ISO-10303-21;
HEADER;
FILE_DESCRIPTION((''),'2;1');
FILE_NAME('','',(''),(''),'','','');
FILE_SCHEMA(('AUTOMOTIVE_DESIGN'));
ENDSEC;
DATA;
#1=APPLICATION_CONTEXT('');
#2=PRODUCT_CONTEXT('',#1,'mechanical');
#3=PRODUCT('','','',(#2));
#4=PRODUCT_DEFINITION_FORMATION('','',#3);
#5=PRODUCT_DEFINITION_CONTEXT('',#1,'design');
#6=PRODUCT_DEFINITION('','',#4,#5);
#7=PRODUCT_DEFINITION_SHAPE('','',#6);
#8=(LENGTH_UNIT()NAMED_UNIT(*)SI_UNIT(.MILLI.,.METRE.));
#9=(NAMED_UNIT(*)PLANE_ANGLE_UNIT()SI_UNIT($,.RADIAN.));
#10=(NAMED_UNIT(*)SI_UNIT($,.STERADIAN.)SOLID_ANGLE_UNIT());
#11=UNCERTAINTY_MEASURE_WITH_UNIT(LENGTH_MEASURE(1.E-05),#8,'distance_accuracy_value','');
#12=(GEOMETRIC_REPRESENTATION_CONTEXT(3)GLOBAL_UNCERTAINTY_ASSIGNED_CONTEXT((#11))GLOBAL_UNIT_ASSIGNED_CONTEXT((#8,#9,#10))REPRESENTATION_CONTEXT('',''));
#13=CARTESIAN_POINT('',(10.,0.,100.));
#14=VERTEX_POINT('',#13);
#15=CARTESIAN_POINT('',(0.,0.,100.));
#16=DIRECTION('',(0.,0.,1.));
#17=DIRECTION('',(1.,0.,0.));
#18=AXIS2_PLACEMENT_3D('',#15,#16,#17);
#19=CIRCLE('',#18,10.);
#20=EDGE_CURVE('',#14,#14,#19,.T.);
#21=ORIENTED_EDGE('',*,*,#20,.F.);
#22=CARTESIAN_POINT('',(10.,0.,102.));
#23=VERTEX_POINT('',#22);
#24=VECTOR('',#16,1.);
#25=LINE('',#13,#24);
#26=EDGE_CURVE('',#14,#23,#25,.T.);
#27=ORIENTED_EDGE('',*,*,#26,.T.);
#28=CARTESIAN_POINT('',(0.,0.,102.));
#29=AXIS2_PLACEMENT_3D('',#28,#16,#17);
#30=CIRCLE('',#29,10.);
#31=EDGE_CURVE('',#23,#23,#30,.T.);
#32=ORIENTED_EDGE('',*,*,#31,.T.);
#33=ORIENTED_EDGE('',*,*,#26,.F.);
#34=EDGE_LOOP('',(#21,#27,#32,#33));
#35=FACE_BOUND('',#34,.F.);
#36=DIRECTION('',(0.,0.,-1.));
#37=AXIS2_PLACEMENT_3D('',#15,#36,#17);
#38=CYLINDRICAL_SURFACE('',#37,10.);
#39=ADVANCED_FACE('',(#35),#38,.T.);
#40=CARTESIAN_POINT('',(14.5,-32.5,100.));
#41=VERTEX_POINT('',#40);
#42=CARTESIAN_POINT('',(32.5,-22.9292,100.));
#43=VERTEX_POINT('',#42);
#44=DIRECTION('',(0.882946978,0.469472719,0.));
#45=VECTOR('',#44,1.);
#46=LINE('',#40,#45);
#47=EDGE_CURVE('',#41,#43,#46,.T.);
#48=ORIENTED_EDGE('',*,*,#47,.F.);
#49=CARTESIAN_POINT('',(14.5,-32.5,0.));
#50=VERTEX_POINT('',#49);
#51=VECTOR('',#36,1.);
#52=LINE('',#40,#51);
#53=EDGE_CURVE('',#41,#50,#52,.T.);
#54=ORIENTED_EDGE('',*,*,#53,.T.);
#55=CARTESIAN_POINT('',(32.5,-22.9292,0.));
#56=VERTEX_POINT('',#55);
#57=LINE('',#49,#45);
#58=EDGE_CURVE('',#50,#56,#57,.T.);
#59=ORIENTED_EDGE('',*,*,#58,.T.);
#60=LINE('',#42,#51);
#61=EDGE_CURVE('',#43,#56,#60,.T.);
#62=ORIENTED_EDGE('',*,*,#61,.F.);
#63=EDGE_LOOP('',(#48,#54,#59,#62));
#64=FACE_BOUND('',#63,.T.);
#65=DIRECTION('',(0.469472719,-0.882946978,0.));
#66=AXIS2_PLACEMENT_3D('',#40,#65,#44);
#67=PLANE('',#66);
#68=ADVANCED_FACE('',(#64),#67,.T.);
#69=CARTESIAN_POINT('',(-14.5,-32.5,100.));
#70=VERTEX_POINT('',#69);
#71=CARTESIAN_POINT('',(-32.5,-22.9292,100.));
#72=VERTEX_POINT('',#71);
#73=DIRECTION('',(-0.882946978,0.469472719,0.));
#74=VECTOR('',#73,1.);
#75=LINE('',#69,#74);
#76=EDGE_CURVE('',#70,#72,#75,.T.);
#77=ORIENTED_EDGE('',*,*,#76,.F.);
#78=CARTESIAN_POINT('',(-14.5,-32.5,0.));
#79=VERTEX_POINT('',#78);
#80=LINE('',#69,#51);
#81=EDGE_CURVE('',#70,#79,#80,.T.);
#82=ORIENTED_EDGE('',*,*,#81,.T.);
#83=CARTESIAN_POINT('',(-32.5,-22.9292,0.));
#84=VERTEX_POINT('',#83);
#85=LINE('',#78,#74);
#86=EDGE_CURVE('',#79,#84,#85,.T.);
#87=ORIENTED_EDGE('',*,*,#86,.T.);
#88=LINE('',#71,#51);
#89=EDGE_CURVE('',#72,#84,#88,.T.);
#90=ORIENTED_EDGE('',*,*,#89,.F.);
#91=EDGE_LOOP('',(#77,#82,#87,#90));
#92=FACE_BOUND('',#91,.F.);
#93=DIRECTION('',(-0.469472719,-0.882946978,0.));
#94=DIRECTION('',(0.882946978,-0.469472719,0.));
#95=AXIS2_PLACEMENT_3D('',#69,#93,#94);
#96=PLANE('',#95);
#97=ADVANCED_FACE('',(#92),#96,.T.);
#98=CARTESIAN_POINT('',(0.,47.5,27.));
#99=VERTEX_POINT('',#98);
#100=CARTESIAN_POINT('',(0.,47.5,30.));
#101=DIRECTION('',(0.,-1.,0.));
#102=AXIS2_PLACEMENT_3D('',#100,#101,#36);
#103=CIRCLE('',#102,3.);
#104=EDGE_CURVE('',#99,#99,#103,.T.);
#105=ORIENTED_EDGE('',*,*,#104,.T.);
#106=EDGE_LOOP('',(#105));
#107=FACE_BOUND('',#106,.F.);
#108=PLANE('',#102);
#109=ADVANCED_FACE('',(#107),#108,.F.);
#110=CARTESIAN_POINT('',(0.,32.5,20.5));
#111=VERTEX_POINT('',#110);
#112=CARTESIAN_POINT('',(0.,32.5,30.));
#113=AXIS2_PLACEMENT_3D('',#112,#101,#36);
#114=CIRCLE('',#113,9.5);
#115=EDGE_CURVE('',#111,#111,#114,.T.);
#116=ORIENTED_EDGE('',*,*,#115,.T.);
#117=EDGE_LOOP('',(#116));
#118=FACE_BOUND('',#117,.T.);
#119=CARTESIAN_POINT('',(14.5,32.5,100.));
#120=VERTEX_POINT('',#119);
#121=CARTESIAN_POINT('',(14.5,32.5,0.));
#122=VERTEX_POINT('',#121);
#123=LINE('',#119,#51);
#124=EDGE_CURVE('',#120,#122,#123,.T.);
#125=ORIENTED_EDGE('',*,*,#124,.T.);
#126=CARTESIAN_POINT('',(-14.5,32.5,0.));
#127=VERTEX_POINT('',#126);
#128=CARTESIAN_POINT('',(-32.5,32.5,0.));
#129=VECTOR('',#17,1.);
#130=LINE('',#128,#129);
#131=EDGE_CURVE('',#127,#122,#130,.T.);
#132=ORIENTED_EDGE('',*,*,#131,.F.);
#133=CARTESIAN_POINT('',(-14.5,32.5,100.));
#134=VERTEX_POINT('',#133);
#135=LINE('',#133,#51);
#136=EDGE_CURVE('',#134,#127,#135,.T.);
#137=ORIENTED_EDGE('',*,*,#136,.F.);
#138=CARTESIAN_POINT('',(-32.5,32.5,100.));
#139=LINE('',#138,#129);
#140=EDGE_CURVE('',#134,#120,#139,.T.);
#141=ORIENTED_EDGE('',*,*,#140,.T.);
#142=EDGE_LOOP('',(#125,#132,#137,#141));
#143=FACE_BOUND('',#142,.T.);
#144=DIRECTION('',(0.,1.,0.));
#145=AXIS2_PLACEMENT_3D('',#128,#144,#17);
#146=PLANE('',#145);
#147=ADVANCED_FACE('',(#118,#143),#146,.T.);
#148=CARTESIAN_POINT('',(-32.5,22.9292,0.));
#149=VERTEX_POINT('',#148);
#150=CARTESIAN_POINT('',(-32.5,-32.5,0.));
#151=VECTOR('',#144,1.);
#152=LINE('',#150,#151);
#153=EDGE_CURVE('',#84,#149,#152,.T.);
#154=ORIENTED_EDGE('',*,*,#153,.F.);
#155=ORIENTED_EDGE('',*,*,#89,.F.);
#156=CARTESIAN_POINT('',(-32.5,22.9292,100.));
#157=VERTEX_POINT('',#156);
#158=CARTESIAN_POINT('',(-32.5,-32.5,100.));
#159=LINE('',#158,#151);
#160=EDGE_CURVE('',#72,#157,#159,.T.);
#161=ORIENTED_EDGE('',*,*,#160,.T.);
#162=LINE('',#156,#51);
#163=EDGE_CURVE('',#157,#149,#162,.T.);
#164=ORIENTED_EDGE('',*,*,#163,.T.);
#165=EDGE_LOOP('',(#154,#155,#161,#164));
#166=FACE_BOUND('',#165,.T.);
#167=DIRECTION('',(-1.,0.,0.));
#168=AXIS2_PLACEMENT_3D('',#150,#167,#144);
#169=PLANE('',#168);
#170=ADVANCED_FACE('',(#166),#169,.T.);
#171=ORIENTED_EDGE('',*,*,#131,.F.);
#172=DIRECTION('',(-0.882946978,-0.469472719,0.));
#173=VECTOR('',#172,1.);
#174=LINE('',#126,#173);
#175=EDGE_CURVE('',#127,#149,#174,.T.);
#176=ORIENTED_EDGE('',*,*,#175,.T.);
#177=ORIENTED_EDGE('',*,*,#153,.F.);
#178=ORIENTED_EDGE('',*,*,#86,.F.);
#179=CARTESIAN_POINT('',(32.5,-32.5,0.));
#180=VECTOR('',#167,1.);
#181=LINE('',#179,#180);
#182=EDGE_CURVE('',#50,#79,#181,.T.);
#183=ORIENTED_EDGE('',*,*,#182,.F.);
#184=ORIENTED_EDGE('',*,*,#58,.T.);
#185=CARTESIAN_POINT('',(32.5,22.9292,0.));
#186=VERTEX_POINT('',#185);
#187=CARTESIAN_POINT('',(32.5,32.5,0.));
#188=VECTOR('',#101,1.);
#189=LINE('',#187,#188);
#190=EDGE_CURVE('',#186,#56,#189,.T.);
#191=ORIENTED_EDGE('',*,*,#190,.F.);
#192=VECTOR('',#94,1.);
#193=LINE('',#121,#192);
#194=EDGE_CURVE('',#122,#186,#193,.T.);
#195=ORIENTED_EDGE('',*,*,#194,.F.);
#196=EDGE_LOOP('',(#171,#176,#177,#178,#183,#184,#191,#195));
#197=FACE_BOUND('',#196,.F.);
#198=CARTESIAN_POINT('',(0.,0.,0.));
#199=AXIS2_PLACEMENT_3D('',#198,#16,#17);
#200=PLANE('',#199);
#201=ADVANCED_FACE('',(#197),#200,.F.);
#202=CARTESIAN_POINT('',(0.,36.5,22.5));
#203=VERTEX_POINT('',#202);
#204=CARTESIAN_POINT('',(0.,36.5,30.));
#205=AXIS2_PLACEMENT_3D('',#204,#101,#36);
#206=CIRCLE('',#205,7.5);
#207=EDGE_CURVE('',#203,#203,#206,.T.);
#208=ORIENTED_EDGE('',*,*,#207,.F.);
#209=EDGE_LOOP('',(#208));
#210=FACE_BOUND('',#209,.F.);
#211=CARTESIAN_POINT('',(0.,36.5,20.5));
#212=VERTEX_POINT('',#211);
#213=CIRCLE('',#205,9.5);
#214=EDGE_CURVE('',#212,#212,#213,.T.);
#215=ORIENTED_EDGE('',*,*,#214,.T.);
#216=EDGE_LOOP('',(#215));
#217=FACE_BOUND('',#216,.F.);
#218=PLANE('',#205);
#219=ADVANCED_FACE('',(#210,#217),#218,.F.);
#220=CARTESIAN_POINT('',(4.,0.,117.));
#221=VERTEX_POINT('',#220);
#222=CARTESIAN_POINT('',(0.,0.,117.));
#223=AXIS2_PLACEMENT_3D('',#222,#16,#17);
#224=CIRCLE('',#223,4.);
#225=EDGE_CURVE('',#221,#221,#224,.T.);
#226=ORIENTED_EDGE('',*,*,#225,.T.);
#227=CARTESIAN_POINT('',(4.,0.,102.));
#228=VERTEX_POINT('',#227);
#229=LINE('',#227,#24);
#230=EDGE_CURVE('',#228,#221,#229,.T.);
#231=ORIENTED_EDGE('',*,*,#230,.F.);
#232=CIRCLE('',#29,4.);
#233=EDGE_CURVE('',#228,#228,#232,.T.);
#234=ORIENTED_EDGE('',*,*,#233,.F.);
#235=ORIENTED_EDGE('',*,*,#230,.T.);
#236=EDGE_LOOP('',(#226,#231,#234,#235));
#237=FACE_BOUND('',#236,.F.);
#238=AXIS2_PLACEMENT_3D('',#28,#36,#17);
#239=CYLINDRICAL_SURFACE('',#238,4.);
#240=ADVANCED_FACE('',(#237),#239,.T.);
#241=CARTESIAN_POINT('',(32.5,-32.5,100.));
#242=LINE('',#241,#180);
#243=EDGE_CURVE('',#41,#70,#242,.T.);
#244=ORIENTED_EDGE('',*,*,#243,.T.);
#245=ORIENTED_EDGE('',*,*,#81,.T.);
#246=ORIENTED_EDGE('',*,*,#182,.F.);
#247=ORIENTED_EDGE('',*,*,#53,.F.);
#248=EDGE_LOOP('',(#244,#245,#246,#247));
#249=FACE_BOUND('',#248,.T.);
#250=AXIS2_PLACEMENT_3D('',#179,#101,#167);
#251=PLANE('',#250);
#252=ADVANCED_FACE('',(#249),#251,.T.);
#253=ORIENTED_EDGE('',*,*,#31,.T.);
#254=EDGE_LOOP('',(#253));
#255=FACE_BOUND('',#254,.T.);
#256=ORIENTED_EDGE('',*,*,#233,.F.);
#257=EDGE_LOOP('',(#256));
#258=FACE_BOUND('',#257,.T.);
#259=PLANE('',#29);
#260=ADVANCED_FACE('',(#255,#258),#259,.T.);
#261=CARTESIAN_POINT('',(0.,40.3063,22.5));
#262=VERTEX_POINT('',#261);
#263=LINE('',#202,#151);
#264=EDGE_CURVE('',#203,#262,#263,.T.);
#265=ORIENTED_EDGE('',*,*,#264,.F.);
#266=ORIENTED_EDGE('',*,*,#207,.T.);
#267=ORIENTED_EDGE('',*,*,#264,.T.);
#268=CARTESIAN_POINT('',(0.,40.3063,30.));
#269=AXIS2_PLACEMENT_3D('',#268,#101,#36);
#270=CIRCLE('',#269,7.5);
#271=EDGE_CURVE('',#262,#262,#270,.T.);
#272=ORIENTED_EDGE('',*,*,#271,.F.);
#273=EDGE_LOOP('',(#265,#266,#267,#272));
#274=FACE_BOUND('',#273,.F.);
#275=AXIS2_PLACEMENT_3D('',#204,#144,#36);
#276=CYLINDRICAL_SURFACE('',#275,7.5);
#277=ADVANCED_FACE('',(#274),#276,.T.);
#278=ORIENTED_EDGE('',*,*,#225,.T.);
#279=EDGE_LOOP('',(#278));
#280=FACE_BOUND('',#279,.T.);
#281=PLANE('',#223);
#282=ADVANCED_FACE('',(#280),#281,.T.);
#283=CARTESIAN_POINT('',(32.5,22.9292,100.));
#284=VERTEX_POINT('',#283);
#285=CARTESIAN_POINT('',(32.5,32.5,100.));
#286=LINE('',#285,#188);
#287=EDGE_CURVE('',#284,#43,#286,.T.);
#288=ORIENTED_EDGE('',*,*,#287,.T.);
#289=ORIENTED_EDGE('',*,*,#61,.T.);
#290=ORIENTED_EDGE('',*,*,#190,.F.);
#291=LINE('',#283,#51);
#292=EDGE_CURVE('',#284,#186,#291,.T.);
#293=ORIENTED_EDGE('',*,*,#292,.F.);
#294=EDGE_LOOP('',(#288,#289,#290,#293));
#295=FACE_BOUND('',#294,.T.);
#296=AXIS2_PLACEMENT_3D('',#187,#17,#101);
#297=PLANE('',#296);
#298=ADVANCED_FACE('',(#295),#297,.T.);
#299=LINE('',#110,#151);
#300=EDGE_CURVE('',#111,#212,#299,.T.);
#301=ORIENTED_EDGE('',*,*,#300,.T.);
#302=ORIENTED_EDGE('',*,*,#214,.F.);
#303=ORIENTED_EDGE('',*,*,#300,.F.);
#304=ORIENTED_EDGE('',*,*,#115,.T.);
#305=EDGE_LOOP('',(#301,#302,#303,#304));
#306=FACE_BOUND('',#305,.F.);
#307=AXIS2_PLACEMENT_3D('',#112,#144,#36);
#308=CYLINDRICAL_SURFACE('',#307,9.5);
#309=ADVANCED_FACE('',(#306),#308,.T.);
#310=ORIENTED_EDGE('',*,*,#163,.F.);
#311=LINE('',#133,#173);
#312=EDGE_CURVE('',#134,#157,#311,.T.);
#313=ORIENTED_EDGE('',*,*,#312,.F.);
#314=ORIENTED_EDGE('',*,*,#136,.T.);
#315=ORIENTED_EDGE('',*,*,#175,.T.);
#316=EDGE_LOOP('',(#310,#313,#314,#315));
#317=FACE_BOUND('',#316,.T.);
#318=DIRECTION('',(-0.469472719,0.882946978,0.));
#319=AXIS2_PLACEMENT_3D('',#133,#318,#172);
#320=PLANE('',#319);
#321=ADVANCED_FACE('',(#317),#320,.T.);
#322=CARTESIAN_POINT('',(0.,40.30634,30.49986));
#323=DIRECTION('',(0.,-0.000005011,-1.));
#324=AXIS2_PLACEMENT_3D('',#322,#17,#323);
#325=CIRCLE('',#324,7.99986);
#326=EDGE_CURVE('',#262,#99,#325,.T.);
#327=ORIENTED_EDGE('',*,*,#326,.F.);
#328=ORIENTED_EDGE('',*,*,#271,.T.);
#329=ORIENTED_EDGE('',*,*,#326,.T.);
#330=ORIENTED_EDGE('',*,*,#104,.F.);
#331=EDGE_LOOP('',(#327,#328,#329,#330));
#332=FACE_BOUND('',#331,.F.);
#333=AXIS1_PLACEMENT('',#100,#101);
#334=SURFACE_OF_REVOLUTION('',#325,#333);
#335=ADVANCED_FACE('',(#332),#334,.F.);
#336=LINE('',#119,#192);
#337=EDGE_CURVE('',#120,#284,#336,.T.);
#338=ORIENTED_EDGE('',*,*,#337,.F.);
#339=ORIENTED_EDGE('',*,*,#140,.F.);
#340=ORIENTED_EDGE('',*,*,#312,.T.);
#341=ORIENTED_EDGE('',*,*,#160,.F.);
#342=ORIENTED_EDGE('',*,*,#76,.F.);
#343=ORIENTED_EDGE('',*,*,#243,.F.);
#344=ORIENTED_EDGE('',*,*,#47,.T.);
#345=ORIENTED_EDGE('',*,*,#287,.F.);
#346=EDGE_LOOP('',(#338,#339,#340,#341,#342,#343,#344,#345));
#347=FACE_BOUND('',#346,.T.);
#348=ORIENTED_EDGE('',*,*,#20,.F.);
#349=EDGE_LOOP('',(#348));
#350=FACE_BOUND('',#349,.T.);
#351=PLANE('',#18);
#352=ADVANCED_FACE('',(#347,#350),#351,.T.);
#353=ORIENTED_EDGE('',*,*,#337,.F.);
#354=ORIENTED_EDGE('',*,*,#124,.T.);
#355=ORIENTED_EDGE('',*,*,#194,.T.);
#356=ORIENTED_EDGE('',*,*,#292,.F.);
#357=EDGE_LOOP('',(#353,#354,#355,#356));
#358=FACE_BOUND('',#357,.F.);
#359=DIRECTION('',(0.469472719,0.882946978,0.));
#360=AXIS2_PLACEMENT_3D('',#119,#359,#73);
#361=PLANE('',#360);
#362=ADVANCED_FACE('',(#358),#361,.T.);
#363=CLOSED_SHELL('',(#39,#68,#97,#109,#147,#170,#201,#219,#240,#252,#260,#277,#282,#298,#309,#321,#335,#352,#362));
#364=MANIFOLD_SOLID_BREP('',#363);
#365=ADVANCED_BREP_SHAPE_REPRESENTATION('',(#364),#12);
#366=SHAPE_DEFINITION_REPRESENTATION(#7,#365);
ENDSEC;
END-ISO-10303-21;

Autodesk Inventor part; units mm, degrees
ref_plane "YZ Plane" through (0, 0, 0) normal (1, 0, 0) x (0, 1, 0)
ref_plane "XZ Plane" through (0, 0, 0) normal (0, 1, 0) x (-1, 0, 0)
ref_plane "XY Plane" through (0, 0, 0) normal (0, 0, 1) x (1, 0, 0)
sketch "Skizze1" plane through (0, 0, 0) normal (0, 0, 1) x (1, 0, 0)
  line L0 (-32.5, 32.5) -> (32.5, 32.5)
  line L1 (32.5, 32.5) -> (32.5, -32.5)
  line L2 (32.5, -32.5) -> (-32.5, -32.5)
  line L3 (-32.5, -32.5) -> (-32.5, 32.5)
  point P0 (0, 0)
  point P1 (-32.5, 16.5982)
  point P2 (-16.4712, 32.5)
  dimension "d0" = 65
  dimension "d1" = 65
  dimension "d2" = 32.5
  dimension "d3" = 32.5
extrude "Extrusion1" add sketch "Skizze1" along normal blind 100
sketch "Skizze2" plane through (0, 0, 100) normal (0, 0, 1) x (1, 0, 0)
  circle A0 centre (0, 0) radius 10
  dimension "d6" = 20
extrude "Extrusion2" add sketch "Skizze2" along normal blind 2
sketch "Skizze3" plane through (0, 0, 102) normal (0, 0, 1) x (1, 0, 0)
  circle A0 centre (0, 0) radius 4
  dimension "d9" = 8
extrude "Extrusion3" add sketch "Skizze3" along normal blind 15
sketch "Sketch4" plane through (0, 0, 100) normal (0, 0, 1) x (1, 0, 0)
  line L0 (32.5, 32.5) -> (-32.5, 32.5) projected
  line L1 (-14.5, 32.5) -> (-32.5, 22.9292)
  line L2 (-32.5, 32.5) -> (-32.5, -32.5) projected
  line L3 (-32.5, 32.5) -> (-14.5, 32.5)
  line L4 (-32.5, 32.5) -> (-32.5, 22.9292)
  point P0 (0, 0)
  dimension "d15" = 28
  dimension "d16" = 18
extrude "Extrusion4" cut sketch "Sketch4" against normal up to surface (100 mm away)
mirror "Mirror1" about plane through (0, 0, 0) normal (1, 0, 0) of "Extrusion4"
mirror "Mirror2" about plane through (0, 0, 0) normal (0, 1, 0) of "Extrusion4", "Mirror1"
sketch "Sketch5" plane through (0, 0, 0) normal (1, 0, 0) x (0, 1, 0)
  line L0 (32.5, 0) -> (32.5, 100) projected
  line L1 (32.5, 20.5) -> (36.5, 20.5)
  line L2 (36.5, 20.5) -> (36.5, 22.5)
  line L3 (36.5, 22.5) -> (40.3063, 22.5)
  line L4 (47.5, 30) -> (32.5, 30)
  line L5 (32.5, 20.5) -> (32.5, 30)
  line L6 (22.9292, 0) -> (32.5, 0) projected
  arc A0 (40.3063, 22.5) -> (47.5, 27) centre (40.3063, 30.5) ccw
  line L7 (47.5, 27) -> (47.5, 30)
  point P0 (0, 0)
  dimension "d19" = 4
  dimension "d20" = 2
  dimension "d21" = 15
  dimension "d22" = 30
  dimension "d23" = 15
  dimension "d24" = 8
  dimension "d25" = 3
revolve "Revolution1" add sketch "Sketch5" angle 360 about axis through (0, 47.5, 30) along (0, -1, 0)
equation "\"d1\" = d0"
equation "\"d2\" = 0.5 * d0"
equation "\"d3\" = 0.5 * d1"
properties part number "motor" material "Stahl"
